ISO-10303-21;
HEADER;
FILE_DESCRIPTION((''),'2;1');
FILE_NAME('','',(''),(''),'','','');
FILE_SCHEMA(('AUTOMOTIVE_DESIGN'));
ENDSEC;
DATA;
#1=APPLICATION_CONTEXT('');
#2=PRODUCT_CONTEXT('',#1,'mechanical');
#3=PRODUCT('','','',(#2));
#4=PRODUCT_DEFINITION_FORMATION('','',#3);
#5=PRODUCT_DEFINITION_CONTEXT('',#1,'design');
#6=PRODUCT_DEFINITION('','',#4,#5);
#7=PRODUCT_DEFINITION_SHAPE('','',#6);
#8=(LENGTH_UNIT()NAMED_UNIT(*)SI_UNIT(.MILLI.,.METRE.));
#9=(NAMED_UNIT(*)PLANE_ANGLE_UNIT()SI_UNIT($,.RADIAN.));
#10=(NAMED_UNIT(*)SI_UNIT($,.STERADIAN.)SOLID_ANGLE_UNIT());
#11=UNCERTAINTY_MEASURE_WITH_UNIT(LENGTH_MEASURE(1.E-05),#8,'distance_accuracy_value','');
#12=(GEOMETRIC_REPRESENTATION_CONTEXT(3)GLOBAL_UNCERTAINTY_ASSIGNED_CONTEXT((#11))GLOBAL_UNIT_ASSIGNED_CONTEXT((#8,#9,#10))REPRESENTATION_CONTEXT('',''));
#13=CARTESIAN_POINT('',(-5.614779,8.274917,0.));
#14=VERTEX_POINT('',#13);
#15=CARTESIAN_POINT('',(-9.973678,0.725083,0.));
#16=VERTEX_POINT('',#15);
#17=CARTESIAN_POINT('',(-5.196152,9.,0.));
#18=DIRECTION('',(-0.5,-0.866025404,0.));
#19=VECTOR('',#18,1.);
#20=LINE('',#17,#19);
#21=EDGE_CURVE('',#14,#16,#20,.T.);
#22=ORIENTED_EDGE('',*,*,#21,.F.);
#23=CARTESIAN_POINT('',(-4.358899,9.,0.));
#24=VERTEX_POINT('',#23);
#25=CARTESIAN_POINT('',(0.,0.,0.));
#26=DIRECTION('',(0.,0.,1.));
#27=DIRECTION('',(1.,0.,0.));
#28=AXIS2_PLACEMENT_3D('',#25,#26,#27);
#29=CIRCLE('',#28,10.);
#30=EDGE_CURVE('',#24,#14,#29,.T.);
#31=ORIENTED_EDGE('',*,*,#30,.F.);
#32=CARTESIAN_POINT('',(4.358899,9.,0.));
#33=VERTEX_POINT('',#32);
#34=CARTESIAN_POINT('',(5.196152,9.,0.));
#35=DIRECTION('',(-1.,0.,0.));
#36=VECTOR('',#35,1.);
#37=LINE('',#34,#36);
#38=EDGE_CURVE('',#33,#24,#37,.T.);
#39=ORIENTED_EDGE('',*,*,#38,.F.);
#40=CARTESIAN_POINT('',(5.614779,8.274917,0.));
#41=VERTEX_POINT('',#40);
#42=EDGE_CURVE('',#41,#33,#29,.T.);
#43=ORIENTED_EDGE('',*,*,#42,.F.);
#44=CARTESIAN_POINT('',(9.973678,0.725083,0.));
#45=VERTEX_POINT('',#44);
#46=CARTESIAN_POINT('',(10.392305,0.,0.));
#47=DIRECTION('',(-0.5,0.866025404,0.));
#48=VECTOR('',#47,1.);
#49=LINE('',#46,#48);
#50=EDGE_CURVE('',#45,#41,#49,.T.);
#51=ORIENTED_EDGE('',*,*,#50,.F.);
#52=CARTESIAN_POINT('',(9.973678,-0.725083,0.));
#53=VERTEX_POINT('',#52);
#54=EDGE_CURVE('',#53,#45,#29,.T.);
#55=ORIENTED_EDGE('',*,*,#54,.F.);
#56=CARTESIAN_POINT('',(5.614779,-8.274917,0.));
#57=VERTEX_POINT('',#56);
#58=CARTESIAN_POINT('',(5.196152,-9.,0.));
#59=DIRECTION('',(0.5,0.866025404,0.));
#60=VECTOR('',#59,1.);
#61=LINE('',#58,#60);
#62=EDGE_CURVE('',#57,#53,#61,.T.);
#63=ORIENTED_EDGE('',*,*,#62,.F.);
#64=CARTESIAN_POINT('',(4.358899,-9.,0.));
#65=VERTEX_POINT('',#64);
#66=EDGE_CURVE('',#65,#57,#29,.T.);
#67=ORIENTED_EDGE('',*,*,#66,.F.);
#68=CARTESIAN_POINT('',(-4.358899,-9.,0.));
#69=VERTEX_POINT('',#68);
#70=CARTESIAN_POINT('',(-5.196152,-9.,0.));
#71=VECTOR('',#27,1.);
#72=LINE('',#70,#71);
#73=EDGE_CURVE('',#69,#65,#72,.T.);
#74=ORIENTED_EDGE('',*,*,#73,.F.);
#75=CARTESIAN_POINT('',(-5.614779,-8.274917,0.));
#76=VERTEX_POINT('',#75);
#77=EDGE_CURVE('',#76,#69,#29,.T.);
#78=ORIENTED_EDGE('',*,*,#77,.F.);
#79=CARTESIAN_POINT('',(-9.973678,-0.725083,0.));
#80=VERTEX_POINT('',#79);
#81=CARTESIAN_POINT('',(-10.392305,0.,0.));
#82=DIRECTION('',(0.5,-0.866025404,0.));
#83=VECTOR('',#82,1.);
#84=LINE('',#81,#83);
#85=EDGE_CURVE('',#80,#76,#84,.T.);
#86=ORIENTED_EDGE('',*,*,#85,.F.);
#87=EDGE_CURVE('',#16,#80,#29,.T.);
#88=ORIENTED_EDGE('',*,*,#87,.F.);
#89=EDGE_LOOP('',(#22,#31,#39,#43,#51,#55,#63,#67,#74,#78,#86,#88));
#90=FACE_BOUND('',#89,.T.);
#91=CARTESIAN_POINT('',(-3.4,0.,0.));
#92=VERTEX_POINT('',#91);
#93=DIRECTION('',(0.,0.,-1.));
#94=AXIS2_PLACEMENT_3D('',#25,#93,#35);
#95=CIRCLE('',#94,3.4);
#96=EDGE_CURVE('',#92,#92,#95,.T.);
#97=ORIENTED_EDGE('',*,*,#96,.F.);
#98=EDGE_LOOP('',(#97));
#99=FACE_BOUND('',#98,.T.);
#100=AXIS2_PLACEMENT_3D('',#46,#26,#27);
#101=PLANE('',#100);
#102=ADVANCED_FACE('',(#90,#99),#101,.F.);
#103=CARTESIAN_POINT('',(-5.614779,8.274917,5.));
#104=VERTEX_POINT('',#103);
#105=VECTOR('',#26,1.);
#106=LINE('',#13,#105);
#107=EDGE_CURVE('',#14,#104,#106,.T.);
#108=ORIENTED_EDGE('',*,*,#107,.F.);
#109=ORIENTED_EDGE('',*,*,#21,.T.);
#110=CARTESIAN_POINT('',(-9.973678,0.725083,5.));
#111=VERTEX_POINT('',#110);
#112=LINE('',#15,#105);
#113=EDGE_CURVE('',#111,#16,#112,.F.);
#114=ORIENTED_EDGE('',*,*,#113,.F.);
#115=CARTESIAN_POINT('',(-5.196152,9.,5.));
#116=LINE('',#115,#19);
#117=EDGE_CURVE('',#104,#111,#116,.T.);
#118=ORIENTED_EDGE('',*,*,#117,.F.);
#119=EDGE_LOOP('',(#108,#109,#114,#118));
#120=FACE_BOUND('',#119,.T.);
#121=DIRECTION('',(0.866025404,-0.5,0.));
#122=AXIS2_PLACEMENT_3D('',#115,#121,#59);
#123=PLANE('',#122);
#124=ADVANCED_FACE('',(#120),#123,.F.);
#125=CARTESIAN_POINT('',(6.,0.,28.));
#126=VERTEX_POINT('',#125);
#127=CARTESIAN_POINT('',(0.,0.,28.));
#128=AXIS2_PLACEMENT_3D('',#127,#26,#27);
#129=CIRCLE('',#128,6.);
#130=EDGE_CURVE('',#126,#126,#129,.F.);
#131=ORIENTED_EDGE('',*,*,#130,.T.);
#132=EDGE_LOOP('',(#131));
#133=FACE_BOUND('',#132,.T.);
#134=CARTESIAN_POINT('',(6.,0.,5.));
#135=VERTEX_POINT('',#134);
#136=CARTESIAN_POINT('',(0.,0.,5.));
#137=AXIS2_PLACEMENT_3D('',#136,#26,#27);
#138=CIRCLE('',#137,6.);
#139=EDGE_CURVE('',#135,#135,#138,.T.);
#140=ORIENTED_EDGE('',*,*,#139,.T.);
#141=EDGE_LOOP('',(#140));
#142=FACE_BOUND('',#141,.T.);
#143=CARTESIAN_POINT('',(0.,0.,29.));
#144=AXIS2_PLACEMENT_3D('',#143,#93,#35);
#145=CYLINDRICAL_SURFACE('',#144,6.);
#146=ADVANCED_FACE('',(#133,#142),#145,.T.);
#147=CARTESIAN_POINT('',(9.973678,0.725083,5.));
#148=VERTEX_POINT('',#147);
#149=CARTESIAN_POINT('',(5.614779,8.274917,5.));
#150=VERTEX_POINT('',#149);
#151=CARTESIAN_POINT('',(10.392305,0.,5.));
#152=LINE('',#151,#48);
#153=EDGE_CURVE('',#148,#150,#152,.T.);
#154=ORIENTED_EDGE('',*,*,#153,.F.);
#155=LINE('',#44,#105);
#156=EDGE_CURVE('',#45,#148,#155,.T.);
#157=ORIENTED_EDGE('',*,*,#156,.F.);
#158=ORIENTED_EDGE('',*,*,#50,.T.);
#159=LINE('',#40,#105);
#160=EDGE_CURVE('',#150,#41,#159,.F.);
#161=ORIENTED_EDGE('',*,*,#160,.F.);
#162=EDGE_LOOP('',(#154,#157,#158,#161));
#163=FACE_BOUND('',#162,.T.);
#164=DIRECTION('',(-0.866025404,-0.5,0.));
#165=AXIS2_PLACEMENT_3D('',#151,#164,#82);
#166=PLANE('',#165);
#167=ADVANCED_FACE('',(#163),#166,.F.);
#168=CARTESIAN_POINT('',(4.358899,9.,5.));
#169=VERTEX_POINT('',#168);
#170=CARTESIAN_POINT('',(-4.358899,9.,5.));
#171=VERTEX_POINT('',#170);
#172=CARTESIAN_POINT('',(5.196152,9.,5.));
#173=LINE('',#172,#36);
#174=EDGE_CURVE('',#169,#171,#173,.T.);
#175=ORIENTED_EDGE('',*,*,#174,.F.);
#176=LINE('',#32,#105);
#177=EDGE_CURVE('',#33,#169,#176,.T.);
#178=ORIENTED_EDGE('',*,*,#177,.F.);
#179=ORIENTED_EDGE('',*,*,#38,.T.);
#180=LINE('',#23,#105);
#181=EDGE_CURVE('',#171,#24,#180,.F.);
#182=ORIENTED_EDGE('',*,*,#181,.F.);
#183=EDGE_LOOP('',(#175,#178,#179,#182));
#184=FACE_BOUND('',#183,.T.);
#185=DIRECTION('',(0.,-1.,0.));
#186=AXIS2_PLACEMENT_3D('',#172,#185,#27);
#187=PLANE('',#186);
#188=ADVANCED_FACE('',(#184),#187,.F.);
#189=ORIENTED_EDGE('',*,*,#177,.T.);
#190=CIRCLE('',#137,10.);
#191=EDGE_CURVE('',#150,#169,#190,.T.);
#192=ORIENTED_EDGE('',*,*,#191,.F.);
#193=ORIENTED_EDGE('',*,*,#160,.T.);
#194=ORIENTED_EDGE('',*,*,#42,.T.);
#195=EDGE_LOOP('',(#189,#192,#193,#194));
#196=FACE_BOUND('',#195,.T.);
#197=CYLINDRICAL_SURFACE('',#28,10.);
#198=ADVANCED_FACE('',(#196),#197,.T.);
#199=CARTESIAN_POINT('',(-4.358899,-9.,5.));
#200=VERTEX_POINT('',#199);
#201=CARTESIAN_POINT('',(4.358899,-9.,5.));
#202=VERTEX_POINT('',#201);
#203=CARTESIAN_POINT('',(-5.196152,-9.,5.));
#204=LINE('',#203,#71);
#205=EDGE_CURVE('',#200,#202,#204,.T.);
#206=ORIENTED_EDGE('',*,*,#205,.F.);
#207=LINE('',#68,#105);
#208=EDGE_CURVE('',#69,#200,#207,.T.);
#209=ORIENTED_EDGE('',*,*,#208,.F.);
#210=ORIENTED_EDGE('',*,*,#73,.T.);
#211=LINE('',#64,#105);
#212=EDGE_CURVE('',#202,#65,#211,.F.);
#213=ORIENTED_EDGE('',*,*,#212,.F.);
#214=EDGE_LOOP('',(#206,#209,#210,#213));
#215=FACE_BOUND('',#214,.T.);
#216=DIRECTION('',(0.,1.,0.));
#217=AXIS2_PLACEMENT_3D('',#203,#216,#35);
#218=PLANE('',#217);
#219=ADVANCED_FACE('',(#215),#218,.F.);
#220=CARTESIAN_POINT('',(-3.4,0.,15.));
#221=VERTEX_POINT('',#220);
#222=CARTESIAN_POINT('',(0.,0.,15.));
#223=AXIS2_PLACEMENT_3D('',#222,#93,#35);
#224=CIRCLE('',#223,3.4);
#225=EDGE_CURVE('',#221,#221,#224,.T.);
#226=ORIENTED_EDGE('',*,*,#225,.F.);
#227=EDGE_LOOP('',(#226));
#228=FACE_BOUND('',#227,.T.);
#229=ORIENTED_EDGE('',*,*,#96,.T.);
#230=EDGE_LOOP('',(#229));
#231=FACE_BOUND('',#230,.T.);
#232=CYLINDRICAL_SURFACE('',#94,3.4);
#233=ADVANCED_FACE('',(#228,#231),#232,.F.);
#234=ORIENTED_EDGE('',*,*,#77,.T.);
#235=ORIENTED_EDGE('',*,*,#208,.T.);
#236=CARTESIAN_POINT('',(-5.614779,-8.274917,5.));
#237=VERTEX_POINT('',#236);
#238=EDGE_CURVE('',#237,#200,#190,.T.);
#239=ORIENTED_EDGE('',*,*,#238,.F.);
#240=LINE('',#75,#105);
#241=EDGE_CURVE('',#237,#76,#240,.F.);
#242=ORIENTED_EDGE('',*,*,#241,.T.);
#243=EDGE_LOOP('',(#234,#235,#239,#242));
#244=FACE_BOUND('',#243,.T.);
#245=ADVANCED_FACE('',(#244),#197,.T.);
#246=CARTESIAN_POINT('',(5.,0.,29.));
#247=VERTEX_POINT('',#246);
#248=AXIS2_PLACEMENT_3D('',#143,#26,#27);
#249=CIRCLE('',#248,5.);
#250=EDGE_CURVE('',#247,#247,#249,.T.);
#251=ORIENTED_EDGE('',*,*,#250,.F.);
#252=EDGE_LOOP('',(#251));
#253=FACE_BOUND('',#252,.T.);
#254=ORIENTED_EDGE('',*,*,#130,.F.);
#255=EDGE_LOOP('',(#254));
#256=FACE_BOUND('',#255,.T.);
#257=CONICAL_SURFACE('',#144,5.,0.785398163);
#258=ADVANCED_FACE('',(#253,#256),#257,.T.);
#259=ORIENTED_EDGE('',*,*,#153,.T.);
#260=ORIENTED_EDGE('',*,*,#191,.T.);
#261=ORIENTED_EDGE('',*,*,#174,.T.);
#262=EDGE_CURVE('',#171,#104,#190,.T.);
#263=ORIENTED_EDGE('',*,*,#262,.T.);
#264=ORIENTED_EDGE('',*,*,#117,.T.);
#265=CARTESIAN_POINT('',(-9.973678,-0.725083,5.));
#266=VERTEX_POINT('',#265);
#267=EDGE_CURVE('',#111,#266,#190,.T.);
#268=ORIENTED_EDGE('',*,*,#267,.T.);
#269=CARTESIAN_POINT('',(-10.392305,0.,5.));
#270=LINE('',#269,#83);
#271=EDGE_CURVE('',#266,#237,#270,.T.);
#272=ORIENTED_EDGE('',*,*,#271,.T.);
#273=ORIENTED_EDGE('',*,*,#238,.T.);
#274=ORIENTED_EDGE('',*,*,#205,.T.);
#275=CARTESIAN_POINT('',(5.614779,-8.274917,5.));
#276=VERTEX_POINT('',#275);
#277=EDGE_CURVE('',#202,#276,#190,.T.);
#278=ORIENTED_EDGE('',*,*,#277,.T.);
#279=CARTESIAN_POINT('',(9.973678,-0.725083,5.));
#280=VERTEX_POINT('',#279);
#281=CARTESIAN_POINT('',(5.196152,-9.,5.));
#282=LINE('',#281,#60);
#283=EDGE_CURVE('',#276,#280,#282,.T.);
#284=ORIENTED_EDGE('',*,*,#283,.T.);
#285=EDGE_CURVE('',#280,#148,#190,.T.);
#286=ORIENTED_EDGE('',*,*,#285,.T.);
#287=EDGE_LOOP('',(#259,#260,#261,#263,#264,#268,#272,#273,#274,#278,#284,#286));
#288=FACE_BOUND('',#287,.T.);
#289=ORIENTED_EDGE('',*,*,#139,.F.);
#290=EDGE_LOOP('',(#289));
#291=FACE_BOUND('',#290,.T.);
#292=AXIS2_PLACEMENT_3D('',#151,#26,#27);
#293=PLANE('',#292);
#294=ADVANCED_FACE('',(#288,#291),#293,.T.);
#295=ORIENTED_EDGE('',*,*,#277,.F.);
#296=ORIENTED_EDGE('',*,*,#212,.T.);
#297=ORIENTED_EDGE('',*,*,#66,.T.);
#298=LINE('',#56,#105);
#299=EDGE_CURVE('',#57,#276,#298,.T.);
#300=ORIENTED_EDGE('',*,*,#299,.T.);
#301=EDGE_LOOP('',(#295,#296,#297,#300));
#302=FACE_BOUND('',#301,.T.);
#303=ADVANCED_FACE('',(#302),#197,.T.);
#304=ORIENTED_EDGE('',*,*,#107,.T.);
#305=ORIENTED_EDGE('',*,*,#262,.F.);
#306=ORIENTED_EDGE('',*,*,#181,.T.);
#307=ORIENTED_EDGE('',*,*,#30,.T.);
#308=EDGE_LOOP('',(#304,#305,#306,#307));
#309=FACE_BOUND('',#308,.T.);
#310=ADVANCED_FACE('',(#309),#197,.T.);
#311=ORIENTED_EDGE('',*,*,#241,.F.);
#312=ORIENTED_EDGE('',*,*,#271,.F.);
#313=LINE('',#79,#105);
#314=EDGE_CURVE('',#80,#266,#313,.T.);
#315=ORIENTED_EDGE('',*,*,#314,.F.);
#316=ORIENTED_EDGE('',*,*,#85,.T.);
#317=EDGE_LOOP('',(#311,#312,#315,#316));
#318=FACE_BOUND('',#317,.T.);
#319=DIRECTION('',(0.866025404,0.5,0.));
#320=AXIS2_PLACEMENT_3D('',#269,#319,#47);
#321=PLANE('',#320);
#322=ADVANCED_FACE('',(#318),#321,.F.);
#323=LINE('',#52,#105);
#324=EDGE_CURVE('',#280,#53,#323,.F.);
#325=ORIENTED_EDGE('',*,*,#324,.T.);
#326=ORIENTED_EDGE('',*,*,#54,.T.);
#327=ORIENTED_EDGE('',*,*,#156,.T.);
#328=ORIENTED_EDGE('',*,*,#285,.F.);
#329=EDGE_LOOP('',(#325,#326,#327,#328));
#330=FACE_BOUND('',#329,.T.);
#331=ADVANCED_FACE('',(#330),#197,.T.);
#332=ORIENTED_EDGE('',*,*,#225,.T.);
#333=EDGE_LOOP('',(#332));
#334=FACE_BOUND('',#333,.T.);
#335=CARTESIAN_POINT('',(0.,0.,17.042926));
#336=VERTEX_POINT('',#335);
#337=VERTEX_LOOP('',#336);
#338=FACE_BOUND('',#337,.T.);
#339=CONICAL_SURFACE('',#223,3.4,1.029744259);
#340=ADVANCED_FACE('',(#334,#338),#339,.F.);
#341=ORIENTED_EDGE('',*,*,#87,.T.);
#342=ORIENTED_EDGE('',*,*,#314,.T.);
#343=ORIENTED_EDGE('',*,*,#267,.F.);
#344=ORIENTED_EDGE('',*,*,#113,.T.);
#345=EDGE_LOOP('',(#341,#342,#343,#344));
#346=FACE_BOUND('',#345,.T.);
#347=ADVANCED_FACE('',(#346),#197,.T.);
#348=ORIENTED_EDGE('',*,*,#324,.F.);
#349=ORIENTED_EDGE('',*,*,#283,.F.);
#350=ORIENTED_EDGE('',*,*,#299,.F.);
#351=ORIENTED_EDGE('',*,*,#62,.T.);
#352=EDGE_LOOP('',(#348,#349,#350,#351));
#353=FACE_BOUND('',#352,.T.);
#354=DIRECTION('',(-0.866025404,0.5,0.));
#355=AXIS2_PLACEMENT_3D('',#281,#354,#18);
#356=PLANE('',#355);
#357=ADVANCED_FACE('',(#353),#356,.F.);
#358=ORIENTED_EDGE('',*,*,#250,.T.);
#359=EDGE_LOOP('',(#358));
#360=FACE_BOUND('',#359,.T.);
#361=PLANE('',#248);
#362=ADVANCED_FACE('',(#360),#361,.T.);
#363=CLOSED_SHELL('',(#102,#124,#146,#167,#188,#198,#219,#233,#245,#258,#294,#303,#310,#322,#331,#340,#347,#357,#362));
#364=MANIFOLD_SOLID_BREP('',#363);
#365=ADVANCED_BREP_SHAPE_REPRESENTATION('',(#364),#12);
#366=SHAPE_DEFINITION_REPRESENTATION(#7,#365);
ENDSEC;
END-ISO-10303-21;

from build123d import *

# Parameters (mm, degrees)
EXTRUDE_1_DEPTH     = 5
SKETCH_2_R          = 6
EXTRUDE_2_DEPTH     = 24
M8X1_25_1_D         = 6.8
M8X1_25_1_DEPTH     = 15
M8X1_25_1_TIP       = 2.042926105
SKETCH_5_OUTSIDE_W  = 30.776
SKETCH_5_OUTSIDE_H  = 27.992
SKETCH_5_OUTSIDE_R  = 10
CUT_EXTRUDE_1_DEPTH = 28.658633372
CHAMFER_1_SIZE      = 1


with BuildPart() as part:
    # 草图1 → 凸台-拉伸1 (new body)
    with BuildSketch(Plane.XY):
        Polygon((10.392304845, 0), (5.196152423, 9), (-5.196152423, 9), (-10.392304845, 0), (-5.196152423, -9), (5.196152423, -9), align=None)
    extrude(amount=EXTRUDE_1_DEPTH)

    # 草图2 → 凸台-拉伸2 (add)
    with BuildSketch(Plane.XY.offset(5)):
        Circle(SKETCH_2_R)
    extrude(amount=EXTRUDE_2_DEPTH)

    # M8x1.25 螺纹孔1
    with Locations(Plane(origin=(-3.351254267, -2.461520779, 0), x_dir=(1, 0, 0), z_dir=(0, 0, -1))):
        with Locations((3.351254267, -2.461520779)):
            Hole(M8X1_25_1_D / 2, depth=M8X1_25_1_DEPTH)
            with Locations((0, 0, -(M8X1_25_1_DEPTH + M8X1_25_1_TIP / 2))):  # 118° drill point
                Cone(0, M8X1_25_1_D / 2, M8X1_25_1_TIP, mode=Mode.SUBTRACT)

    # 草图5 outside → 切除-拉伸1 (cut, through all)
    with BuildSketch(Plane.XY.offset(5)):
        Rectangle(SKETCH_5_OUTSIDE_W, SKETCH_5_OUTSIDE_H)
        Circle(SKETCH_5_OUTSIDE_R, mode=Mode.SUBTRACT)
    extrude(amount=-CUT_EXTRUDE_1_DEPTH, mode=Mode.SUBTRACT)

    # 倒角1
    chamfer_1_edges = [part.edges().sort_by_distance(p)[0] for p in [
        (-6, 0, 29),
    ]]
    chamfer(chamfer_1_edges, length=CHAMFER_1_SIZE)


solid = part.part
